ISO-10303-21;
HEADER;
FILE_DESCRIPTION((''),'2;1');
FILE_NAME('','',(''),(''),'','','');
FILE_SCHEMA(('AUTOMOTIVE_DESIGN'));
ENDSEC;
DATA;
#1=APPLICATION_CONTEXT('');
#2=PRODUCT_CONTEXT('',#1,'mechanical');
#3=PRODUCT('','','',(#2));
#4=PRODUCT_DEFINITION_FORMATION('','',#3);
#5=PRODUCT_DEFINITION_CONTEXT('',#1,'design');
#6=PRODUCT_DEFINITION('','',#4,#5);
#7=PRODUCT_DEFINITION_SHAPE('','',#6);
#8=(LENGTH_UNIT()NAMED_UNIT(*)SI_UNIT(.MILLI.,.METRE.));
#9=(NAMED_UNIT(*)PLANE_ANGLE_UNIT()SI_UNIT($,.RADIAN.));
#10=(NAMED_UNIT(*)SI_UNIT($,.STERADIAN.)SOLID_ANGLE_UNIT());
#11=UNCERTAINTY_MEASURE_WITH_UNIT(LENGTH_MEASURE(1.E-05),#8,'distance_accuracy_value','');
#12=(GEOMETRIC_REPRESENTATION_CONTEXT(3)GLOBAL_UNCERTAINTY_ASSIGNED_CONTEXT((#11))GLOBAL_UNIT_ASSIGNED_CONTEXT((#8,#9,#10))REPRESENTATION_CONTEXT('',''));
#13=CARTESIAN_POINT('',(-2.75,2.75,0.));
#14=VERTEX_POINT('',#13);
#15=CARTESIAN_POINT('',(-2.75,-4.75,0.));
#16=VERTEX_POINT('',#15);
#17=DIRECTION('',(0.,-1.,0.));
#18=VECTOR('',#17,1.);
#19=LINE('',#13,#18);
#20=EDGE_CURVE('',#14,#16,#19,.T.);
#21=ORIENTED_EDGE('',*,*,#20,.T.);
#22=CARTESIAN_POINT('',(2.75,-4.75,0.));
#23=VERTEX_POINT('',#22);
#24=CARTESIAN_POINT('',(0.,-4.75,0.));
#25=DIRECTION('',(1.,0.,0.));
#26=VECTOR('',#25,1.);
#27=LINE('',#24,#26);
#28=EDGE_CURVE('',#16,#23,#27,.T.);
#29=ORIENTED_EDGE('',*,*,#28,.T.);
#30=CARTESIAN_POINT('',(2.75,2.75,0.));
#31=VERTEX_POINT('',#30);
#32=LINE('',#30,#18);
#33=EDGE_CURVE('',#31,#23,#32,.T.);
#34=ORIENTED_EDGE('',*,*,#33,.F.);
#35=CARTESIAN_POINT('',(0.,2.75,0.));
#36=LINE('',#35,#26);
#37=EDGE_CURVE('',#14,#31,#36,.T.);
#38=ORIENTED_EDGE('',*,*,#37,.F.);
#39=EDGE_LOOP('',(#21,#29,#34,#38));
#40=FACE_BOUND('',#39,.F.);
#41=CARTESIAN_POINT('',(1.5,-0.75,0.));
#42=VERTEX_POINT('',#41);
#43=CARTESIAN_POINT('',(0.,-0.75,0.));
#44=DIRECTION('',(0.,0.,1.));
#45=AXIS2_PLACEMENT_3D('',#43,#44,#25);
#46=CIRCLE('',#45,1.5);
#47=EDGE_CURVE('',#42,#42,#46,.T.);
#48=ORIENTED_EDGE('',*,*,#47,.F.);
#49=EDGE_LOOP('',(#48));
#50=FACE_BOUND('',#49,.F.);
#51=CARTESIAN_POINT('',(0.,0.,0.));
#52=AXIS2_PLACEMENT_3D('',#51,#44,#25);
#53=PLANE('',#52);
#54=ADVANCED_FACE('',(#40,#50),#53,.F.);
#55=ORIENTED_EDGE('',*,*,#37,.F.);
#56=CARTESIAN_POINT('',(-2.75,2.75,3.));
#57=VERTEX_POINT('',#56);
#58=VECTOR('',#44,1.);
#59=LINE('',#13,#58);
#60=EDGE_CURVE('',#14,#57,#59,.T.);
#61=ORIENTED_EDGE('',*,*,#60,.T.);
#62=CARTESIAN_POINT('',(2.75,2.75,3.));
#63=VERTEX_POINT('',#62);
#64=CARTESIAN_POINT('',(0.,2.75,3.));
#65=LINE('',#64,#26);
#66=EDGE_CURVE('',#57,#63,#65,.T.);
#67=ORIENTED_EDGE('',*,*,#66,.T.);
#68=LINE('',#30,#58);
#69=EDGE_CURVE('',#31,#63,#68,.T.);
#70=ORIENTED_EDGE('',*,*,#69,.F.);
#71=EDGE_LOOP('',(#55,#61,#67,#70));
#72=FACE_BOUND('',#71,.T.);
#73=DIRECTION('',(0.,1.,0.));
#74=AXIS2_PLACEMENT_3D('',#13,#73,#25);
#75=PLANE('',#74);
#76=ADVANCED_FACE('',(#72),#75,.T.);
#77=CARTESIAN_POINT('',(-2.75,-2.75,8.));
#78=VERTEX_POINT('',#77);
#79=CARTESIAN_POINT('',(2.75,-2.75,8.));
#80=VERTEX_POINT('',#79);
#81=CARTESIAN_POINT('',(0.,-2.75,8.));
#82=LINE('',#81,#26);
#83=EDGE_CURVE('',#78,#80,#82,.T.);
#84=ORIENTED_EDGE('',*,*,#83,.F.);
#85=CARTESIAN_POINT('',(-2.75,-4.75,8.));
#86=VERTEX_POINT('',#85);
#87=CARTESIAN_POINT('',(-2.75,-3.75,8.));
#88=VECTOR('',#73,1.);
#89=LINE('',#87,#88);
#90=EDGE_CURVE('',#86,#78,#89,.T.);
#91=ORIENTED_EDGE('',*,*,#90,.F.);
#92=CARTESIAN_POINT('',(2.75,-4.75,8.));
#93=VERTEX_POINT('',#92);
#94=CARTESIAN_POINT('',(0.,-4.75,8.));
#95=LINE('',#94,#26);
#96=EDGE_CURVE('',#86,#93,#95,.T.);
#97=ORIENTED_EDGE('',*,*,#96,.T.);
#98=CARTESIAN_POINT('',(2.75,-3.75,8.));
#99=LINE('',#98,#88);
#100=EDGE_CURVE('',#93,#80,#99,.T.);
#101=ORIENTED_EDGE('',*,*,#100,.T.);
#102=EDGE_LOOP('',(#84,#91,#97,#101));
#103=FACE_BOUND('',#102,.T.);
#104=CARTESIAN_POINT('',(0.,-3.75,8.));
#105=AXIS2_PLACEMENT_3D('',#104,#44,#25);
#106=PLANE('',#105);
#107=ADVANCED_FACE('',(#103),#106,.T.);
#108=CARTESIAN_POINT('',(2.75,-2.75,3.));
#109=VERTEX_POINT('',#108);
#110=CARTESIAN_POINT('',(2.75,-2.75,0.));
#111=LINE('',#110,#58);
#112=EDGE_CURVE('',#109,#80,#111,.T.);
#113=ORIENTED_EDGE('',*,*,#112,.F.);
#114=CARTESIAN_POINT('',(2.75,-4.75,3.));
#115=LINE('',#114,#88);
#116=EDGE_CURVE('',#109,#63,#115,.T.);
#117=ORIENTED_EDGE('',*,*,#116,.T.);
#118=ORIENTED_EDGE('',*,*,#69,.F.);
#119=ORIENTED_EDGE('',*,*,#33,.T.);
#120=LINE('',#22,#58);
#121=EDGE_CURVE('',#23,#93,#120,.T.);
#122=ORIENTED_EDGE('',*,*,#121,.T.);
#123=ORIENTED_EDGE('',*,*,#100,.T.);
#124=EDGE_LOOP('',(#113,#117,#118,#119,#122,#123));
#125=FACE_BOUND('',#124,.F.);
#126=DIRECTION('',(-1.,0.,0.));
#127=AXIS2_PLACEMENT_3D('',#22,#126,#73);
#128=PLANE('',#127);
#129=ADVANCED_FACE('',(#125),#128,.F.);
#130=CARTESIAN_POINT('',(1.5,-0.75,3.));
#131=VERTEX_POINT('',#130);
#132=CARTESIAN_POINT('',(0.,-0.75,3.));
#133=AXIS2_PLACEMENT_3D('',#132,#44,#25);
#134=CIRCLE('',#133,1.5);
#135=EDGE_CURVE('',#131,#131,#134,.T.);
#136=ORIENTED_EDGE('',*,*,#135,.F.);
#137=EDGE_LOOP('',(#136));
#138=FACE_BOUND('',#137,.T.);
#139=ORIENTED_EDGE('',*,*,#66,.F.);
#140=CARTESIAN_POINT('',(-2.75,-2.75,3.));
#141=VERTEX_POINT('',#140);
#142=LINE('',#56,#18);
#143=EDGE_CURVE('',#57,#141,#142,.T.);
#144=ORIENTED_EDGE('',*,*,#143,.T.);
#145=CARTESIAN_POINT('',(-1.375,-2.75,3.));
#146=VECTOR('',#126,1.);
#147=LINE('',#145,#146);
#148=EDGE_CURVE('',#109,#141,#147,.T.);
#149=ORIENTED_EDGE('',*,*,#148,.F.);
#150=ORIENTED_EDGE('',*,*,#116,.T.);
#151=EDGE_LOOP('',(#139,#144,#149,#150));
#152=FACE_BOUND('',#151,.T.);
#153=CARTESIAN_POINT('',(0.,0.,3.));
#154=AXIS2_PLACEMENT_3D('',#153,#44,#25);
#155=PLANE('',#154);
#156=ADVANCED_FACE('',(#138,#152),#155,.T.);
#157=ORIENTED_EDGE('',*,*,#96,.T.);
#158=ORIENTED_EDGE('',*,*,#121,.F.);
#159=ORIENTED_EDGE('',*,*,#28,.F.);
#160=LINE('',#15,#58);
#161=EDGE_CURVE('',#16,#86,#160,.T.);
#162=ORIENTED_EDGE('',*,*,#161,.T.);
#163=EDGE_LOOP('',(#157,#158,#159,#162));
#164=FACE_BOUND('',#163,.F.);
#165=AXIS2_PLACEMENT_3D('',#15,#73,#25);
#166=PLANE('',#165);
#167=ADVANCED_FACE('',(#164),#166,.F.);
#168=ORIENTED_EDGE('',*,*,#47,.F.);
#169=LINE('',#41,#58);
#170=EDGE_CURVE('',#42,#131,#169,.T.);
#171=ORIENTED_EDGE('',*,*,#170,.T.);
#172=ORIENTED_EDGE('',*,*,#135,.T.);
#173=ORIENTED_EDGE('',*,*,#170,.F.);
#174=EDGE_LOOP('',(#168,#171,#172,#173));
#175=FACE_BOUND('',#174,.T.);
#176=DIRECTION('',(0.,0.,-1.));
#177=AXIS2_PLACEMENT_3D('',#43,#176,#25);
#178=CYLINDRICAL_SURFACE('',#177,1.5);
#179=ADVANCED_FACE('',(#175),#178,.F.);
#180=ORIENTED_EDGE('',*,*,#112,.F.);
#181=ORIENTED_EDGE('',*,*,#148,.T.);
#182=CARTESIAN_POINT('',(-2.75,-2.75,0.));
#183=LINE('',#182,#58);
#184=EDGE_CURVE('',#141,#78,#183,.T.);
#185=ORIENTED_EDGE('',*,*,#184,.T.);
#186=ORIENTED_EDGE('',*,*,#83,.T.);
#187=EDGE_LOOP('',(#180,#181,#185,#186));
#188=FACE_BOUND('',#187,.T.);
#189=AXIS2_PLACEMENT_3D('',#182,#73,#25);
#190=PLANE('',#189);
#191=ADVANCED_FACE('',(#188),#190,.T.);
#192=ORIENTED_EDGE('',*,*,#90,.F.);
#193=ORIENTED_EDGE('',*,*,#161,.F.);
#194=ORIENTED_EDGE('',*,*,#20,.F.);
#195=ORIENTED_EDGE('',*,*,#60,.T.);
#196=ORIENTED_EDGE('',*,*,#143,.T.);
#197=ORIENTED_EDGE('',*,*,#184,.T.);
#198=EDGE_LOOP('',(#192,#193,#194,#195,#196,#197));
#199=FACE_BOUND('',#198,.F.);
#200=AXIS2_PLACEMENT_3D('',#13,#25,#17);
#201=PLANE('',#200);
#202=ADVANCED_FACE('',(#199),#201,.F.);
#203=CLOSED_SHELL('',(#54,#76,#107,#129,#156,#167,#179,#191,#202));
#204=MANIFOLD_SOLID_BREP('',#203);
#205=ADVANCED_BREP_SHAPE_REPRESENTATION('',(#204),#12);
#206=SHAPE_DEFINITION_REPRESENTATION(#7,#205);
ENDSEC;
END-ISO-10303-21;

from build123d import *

# Parameters (mm, degrees)
F0_W     = 5.5
F0_H     = 5.5
F0_R     = 1.5
F0_H_2   = 2
F1_DEPTH = 3
F2_DEPTH = 8


with BuildPart() as f1:
    # F0 (on Top) → F1 (new body)
    with BuildSketch(Plane.XY):
        Rectangle(F0_W, F0_H)
        with Locations((0, -0.75)):
            Circle(F0_R, mode=Mode.SUBTRACT)
        with Locations((0, -3.75)):
            Rectangle(F0_W, F0_H_2)
    extrude(amount=F1_DEPTH)

    # F0 (on Top) → F2 (join)
    with BuildSketch(Plane.XY):
        with Locations((0, -3.75)):
            Rectangle(F0_W, F0_H_2)
    extrude(amount=F2_DEPTH)


solid = f1.part
